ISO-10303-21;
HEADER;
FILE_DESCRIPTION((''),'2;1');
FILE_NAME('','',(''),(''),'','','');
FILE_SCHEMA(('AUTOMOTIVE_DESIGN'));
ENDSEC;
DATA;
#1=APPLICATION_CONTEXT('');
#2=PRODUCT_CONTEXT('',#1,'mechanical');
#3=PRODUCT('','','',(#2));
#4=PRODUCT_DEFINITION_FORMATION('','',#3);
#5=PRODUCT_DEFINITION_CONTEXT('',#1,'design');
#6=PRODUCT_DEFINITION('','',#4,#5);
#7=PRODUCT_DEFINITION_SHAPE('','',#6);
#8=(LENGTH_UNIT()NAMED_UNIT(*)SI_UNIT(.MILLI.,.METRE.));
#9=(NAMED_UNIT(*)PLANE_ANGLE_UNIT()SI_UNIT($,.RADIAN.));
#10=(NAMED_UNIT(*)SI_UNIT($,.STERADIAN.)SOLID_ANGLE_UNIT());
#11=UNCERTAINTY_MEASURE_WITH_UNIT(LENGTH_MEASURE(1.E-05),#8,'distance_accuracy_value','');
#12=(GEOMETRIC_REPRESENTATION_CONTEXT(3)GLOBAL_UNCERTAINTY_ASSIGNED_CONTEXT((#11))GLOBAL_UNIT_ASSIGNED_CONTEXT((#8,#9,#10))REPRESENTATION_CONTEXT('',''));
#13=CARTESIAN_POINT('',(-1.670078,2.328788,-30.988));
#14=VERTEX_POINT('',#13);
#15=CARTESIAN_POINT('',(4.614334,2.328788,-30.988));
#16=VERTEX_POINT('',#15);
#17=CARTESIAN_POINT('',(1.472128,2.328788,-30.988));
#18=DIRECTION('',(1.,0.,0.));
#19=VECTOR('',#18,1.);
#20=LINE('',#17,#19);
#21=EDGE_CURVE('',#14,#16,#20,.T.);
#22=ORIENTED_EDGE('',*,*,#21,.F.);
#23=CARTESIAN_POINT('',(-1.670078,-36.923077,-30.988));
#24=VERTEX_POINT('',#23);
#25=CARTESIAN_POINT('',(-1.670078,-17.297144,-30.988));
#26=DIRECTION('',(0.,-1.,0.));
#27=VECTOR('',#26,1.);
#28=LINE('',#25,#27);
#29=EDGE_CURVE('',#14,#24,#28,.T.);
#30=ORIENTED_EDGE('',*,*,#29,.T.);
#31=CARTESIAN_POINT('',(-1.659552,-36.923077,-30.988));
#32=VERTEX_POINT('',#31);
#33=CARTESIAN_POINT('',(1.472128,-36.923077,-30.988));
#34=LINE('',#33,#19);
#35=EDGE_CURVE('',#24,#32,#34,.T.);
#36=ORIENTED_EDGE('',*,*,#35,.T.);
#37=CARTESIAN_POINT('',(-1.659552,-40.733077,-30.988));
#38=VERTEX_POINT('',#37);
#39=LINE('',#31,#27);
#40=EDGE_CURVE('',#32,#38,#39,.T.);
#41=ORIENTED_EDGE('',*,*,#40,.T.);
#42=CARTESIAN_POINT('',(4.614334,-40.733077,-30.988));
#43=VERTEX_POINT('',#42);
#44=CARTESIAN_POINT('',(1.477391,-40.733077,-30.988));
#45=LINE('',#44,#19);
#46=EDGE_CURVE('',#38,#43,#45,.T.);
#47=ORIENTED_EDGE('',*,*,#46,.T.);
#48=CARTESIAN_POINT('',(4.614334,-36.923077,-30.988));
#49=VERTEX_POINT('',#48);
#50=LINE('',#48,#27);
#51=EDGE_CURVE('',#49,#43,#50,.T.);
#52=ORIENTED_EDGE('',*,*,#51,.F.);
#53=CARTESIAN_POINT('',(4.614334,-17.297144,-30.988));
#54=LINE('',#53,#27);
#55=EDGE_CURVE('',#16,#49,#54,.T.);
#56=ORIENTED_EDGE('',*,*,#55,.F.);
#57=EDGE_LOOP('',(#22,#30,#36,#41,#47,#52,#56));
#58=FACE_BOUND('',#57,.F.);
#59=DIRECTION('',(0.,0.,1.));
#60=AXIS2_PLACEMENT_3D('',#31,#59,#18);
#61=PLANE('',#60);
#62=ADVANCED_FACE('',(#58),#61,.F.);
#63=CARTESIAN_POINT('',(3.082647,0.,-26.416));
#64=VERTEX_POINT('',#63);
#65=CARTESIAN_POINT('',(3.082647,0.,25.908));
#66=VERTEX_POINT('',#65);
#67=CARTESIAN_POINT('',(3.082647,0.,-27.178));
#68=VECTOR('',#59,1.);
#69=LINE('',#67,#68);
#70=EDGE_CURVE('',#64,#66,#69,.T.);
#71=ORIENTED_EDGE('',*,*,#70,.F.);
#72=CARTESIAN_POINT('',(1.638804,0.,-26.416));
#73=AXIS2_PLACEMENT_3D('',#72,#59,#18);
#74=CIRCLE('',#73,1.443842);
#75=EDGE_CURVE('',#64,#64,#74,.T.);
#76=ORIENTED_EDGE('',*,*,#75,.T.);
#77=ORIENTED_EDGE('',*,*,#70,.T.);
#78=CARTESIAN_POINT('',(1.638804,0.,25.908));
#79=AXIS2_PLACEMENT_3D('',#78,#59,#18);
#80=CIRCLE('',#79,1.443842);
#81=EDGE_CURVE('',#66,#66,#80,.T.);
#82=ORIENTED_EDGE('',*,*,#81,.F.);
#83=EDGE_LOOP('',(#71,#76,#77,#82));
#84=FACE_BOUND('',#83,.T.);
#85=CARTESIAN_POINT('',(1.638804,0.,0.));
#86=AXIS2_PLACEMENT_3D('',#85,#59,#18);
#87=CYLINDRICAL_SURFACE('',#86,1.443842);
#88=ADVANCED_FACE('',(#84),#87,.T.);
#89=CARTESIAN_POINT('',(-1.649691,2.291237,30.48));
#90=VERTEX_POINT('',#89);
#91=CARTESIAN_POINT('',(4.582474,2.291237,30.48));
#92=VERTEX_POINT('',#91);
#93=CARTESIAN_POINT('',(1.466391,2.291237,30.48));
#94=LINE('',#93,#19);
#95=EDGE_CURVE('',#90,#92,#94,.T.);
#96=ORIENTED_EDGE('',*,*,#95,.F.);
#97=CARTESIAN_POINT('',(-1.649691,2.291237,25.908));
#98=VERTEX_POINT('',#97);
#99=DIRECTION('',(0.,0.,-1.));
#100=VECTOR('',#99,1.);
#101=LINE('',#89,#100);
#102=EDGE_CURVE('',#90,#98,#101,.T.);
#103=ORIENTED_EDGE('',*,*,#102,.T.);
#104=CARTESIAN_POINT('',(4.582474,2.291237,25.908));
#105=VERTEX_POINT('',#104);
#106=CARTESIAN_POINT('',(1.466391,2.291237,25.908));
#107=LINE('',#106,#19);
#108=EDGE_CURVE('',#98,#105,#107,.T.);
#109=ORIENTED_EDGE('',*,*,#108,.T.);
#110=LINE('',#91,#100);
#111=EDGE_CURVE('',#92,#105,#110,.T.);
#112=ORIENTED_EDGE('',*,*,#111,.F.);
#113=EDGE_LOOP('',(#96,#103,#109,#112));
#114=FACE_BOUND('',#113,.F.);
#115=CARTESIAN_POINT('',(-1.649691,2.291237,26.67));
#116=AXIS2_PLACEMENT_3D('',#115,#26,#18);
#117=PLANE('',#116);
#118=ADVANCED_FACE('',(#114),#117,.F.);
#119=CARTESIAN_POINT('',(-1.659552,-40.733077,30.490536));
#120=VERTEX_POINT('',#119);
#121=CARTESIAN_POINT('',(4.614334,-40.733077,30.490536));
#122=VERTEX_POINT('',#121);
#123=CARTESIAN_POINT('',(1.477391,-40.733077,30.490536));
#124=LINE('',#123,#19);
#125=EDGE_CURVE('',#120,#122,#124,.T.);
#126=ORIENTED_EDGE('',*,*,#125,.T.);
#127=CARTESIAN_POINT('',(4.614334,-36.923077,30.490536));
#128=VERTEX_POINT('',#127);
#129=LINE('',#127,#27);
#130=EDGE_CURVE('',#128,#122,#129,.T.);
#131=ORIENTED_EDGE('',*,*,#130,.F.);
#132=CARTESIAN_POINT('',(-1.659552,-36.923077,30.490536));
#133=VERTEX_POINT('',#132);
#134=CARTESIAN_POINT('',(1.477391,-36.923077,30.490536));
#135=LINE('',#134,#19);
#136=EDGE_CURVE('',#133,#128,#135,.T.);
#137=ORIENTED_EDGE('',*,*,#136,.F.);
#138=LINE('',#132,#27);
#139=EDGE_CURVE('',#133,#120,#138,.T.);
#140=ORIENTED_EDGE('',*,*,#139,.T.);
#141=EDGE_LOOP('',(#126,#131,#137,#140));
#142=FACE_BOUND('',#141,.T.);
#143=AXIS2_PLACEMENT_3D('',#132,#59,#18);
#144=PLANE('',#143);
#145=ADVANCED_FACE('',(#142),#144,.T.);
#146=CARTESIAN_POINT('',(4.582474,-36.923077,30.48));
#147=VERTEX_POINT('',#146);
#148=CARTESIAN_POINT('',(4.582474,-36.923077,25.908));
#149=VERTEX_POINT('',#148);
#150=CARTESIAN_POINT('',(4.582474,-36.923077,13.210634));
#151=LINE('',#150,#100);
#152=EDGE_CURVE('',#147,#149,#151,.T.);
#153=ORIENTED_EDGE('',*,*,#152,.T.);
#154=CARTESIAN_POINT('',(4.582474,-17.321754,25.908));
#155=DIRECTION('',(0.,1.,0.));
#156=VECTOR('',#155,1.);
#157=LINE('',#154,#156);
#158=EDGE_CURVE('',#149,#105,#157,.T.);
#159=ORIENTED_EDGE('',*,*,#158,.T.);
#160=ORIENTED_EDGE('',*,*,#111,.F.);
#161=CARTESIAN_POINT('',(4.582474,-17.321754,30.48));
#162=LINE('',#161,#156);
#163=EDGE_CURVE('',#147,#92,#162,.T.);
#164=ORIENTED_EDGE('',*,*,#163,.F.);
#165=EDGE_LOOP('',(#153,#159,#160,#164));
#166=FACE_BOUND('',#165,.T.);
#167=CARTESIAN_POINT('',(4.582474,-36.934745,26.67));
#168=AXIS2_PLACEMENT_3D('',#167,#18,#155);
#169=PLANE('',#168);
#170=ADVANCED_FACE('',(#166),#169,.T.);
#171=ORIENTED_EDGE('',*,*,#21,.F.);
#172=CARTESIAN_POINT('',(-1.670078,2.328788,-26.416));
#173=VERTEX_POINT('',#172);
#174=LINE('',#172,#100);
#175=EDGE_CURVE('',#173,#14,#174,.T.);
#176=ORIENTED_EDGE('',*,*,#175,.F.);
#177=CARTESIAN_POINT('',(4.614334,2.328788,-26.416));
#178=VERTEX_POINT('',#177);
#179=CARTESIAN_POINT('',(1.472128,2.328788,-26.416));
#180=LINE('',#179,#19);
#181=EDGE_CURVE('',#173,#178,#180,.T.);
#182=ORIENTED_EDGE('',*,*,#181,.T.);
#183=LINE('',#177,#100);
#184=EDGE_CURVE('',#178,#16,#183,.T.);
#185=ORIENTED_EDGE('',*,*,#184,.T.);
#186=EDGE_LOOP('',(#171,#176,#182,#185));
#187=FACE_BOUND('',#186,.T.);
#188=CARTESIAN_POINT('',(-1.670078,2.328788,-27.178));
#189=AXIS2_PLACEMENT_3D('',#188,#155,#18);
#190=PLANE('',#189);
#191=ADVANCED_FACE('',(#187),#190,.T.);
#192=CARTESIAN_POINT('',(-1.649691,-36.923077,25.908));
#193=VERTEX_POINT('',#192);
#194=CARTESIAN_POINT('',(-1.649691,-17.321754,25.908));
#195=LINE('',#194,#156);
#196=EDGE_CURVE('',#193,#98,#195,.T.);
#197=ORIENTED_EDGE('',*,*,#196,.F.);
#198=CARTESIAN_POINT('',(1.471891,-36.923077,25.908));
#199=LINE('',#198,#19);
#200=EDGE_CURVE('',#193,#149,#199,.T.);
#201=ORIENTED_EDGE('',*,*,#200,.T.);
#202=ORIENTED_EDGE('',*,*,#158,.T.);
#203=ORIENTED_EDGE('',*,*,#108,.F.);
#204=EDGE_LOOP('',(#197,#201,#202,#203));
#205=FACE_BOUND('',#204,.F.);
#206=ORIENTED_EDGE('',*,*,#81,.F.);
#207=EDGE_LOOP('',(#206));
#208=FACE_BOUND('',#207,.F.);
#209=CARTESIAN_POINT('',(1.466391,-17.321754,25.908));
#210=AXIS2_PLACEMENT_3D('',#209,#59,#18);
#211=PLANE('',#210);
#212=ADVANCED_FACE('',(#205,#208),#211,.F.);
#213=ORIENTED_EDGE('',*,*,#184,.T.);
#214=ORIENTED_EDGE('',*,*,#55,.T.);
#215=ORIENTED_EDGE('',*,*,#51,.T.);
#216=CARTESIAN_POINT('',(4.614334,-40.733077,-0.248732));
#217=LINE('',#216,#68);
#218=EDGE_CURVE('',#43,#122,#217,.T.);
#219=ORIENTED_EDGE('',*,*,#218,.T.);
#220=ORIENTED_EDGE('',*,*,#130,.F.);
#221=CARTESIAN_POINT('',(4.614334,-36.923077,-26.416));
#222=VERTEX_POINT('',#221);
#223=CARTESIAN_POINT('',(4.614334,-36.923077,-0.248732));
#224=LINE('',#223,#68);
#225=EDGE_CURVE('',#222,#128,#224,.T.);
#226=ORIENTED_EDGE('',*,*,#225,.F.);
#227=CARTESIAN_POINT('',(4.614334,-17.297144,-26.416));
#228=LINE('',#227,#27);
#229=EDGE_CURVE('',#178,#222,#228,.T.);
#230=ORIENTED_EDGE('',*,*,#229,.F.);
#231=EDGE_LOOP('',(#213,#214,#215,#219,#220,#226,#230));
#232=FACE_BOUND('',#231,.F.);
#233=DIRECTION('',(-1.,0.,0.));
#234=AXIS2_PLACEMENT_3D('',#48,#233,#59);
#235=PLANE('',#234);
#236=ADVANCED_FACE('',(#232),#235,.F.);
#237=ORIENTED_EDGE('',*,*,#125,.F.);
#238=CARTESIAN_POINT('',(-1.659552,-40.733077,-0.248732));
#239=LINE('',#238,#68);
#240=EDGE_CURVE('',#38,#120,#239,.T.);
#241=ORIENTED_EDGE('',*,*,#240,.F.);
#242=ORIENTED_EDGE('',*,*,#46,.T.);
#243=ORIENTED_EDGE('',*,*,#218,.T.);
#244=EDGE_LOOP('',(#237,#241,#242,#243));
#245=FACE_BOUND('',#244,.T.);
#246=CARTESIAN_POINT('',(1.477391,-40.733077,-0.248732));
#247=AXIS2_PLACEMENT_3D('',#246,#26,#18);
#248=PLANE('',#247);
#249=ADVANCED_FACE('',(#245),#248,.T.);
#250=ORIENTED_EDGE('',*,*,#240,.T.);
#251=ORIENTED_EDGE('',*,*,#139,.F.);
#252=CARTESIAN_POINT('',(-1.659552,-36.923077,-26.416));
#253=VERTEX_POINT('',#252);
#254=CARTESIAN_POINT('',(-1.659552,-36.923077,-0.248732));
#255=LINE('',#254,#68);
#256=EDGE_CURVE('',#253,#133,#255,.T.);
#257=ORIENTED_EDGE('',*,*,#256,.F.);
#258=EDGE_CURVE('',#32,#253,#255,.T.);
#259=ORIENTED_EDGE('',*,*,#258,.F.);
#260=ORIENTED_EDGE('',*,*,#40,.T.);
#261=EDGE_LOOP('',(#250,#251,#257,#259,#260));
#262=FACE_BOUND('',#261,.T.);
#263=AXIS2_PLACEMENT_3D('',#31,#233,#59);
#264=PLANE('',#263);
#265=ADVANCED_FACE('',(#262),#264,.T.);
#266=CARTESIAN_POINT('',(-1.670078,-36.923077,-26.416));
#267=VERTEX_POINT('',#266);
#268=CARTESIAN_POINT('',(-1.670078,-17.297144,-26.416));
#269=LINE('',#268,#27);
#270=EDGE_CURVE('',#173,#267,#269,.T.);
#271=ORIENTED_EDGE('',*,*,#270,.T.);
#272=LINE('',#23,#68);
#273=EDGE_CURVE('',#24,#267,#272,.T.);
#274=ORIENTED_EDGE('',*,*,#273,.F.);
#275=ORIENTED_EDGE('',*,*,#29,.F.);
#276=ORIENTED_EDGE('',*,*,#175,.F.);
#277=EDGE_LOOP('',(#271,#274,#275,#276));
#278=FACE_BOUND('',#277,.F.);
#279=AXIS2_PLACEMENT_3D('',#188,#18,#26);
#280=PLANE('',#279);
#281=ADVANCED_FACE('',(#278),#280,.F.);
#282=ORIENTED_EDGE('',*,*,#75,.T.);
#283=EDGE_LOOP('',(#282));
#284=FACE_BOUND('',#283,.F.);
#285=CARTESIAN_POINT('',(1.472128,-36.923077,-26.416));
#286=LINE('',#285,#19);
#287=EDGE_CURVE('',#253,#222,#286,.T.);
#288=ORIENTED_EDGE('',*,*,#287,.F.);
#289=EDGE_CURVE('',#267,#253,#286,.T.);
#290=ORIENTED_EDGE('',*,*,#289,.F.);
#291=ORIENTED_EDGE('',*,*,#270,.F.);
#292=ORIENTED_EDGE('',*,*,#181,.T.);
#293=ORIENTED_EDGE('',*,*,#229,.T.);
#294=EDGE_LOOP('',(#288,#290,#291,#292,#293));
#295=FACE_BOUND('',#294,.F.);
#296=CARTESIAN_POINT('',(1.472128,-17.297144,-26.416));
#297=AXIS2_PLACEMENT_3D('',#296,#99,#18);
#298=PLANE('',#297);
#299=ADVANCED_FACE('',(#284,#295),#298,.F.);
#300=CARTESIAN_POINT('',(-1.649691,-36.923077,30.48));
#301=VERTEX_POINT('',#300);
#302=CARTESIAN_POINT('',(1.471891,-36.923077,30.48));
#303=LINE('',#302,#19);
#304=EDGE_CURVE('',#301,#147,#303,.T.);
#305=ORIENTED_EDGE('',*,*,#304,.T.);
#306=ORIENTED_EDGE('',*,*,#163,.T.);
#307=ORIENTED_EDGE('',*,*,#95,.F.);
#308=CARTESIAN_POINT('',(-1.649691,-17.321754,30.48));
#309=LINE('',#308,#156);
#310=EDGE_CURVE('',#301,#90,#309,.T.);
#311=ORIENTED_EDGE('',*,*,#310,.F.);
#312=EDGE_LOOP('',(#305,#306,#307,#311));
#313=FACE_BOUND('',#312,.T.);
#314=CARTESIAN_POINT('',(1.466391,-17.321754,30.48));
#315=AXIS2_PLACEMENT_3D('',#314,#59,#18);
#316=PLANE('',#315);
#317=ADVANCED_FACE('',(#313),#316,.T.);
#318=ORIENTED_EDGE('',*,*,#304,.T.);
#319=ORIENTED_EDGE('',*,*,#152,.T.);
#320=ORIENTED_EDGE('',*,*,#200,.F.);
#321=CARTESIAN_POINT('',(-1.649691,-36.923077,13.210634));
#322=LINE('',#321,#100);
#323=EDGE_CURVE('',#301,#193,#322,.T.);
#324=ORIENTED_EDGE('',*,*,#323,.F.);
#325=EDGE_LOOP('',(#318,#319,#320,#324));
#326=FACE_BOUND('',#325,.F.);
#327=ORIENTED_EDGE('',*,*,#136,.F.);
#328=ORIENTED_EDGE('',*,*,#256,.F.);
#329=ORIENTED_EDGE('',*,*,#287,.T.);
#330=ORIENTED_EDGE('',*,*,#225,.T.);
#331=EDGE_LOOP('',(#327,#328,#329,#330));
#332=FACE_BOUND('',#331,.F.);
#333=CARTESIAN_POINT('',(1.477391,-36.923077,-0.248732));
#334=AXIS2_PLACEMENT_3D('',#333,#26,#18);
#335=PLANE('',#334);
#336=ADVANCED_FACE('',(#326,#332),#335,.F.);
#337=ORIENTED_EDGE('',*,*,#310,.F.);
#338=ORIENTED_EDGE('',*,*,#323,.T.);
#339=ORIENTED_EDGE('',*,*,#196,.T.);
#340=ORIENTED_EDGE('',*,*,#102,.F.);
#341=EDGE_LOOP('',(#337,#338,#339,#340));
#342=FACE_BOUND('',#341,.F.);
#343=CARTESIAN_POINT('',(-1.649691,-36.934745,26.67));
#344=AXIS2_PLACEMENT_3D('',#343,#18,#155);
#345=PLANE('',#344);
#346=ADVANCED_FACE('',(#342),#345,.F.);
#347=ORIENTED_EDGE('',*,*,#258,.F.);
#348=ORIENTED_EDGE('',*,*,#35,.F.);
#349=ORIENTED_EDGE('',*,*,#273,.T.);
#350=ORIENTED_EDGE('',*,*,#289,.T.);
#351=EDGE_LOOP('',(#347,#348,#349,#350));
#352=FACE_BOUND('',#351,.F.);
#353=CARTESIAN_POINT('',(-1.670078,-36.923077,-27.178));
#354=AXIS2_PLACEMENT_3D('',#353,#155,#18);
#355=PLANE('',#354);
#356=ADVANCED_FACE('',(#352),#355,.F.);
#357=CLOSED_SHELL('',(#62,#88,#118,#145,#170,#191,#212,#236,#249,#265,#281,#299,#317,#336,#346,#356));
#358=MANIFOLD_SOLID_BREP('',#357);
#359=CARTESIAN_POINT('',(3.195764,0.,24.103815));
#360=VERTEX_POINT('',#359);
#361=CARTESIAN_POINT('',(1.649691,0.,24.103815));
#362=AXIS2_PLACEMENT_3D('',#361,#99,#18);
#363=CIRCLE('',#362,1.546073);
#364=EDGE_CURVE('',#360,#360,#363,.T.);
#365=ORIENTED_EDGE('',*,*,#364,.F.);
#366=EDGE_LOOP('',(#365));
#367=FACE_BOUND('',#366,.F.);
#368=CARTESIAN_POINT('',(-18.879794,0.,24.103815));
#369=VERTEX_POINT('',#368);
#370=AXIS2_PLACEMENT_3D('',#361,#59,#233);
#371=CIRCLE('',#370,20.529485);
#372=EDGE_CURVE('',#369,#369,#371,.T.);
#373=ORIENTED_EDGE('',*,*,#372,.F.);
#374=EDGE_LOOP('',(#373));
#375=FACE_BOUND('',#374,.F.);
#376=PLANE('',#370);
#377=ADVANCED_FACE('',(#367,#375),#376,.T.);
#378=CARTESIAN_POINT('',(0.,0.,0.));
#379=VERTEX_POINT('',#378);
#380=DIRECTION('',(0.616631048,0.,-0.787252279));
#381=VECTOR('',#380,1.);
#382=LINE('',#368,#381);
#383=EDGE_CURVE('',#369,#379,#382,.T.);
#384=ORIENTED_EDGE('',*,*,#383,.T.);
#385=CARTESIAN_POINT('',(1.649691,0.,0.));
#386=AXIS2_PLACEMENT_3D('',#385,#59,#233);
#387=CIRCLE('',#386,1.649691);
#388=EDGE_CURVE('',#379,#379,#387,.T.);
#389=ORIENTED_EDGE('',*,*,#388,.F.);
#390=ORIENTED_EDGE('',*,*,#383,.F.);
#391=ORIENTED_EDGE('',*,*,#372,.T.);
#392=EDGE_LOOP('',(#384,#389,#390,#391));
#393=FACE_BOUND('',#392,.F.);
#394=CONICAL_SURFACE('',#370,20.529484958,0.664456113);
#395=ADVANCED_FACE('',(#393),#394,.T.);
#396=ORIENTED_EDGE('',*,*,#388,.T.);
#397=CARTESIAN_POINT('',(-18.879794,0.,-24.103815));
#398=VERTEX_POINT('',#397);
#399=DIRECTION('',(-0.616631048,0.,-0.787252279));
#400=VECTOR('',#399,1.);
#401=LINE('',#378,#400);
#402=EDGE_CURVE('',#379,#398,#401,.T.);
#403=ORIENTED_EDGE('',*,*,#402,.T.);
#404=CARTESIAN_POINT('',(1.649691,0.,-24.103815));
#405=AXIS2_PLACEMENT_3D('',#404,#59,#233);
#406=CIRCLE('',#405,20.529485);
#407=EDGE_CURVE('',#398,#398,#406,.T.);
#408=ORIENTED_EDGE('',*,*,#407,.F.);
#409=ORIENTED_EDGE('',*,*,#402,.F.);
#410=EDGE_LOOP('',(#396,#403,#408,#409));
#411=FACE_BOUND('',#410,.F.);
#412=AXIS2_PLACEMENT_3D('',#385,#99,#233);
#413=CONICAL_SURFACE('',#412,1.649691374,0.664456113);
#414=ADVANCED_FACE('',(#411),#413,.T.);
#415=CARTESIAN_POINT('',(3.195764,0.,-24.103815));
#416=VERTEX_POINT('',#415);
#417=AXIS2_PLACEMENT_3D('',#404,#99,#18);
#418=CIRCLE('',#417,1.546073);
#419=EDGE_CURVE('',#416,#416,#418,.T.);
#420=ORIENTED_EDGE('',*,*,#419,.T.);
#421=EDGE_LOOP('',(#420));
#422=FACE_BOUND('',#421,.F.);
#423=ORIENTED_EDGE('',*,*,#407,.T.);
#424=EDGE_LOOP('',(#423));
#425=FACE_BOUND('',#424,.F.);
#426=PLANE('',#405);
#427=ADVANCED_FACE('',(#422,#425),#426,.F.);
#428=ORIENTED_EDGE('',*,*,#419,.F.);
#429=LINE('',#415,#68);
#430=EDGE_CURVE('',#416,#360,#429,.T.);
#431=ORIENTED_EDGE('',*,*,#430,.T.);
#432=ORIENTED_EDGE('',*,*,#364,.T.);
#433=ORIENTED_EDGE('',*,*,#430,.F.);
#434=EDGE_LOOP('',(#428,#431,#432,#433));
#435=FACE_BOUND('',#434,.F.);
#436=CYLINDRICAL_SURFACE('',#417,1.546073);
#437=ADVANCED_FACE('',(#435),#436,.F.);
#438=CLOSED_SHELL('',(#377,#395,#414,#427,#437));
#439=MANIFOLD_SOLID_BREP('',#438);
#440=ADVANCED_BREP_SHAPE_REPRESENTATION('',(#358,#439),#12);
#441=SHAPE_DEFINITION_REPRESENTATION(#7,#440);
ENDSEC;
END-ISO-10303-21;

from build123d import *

# Parameters (mm, degrees)
F2_R          = 1.5460730092
F3_DEPTH      = 70.612
F4_R          = 1.4438423295
F5_DEPTH      = 26.67
F5_DEPTH_BACK = 27.178
F6_W          = 6.2321644509
F6_H          = 39.2259815708
F7_DEPTH      = 3.81
F7_DEPTH_BACK = 0.762
F8_W          = 6.2844125787
F8_H          = 39.2518651206
F9_DEPTH      = 3.81
F9_DEPTH_BACK = 0.762
F10_W         = 6.2738864217
F10_H         = 61.4785362427
F11_DEPTH     = 3.81


with BuildPart() as f1:
    # F0 (on Front) → F1 (revolve)
    with BuildSketch(Plane.XZ):
        Polygon((-18.8797935843, 24.103814736), (0, 0), (-18.8797935843, -24.103814736), (1.649691374, -24.103814736), (1.649691374, 0), (1.649691374, 24.103814736), align=None)
    revolve(axis=Axis((1.649691374, 0, -12.051907368), (0, 0, 1)))

    # F2 (on face) → F3 (cut)
    with BuildSketch(Plane(origin=(0, 0, -24.103814736), x_dir=(1, 0, 0), z_dir=(0, 0, -1))):
        with Locations((1.649691374, 0)):
            Circle(F2_R)
    extrude(amount=-F3_DEPTH, mode=Mode.SUBTRACT)


with BuildPart() as f5:
    # F4 (on Top) → F5 (new body, two sides)
    with BuildSketch(Plane.XY) as f5_sk:
        with Locations((1.6388042131, 0)):
            Circle(F4_R)
    extrude(amount=F5_DEPTH)
    extrude(f5_sk.sketch, amount=-F5_DEPTH_BACK)

    # F6 (on face) → F7 (join, two sides)
    with BuildSketch(Plane.XY.offset(26.67)) as f7_sk:
        with Locations((1.4663913171, -17.3217537813)):
            Rectangle(F6_W, F6_H)
    extrude(amount=F7_DEPTH)
    extrude(f7_sk.sketch, amount=-F7_DEPTH_BACK)

    # F8 (on face) → F9 (join, two sides)
    with BuildSketch(Plane(origin=(0, 0, -27.178), x_dir=(1, 0, 0), z_dir=(0, 0, -1))) as f9_sk:
        with Locations((1.4721277985, 17.2971443972)):
            Rectangle(F8_W, F8_H)
    extrude(amount=F9_DEPTH)
    extrude(f9_sk.sketch, amount=-F9_DEPTH_BACK)

    # F10 (on face) → F11 (join)
    with BuildSketch(Plane.XZ.offset(36.9230769575)):
        with Locations((1.477390877, -0.2487318786)):
            Rectangle(F10_W, F10_H)
    extrude(amount=F11_DEPTH)


solid = Compound([f1.part, f5.part])
